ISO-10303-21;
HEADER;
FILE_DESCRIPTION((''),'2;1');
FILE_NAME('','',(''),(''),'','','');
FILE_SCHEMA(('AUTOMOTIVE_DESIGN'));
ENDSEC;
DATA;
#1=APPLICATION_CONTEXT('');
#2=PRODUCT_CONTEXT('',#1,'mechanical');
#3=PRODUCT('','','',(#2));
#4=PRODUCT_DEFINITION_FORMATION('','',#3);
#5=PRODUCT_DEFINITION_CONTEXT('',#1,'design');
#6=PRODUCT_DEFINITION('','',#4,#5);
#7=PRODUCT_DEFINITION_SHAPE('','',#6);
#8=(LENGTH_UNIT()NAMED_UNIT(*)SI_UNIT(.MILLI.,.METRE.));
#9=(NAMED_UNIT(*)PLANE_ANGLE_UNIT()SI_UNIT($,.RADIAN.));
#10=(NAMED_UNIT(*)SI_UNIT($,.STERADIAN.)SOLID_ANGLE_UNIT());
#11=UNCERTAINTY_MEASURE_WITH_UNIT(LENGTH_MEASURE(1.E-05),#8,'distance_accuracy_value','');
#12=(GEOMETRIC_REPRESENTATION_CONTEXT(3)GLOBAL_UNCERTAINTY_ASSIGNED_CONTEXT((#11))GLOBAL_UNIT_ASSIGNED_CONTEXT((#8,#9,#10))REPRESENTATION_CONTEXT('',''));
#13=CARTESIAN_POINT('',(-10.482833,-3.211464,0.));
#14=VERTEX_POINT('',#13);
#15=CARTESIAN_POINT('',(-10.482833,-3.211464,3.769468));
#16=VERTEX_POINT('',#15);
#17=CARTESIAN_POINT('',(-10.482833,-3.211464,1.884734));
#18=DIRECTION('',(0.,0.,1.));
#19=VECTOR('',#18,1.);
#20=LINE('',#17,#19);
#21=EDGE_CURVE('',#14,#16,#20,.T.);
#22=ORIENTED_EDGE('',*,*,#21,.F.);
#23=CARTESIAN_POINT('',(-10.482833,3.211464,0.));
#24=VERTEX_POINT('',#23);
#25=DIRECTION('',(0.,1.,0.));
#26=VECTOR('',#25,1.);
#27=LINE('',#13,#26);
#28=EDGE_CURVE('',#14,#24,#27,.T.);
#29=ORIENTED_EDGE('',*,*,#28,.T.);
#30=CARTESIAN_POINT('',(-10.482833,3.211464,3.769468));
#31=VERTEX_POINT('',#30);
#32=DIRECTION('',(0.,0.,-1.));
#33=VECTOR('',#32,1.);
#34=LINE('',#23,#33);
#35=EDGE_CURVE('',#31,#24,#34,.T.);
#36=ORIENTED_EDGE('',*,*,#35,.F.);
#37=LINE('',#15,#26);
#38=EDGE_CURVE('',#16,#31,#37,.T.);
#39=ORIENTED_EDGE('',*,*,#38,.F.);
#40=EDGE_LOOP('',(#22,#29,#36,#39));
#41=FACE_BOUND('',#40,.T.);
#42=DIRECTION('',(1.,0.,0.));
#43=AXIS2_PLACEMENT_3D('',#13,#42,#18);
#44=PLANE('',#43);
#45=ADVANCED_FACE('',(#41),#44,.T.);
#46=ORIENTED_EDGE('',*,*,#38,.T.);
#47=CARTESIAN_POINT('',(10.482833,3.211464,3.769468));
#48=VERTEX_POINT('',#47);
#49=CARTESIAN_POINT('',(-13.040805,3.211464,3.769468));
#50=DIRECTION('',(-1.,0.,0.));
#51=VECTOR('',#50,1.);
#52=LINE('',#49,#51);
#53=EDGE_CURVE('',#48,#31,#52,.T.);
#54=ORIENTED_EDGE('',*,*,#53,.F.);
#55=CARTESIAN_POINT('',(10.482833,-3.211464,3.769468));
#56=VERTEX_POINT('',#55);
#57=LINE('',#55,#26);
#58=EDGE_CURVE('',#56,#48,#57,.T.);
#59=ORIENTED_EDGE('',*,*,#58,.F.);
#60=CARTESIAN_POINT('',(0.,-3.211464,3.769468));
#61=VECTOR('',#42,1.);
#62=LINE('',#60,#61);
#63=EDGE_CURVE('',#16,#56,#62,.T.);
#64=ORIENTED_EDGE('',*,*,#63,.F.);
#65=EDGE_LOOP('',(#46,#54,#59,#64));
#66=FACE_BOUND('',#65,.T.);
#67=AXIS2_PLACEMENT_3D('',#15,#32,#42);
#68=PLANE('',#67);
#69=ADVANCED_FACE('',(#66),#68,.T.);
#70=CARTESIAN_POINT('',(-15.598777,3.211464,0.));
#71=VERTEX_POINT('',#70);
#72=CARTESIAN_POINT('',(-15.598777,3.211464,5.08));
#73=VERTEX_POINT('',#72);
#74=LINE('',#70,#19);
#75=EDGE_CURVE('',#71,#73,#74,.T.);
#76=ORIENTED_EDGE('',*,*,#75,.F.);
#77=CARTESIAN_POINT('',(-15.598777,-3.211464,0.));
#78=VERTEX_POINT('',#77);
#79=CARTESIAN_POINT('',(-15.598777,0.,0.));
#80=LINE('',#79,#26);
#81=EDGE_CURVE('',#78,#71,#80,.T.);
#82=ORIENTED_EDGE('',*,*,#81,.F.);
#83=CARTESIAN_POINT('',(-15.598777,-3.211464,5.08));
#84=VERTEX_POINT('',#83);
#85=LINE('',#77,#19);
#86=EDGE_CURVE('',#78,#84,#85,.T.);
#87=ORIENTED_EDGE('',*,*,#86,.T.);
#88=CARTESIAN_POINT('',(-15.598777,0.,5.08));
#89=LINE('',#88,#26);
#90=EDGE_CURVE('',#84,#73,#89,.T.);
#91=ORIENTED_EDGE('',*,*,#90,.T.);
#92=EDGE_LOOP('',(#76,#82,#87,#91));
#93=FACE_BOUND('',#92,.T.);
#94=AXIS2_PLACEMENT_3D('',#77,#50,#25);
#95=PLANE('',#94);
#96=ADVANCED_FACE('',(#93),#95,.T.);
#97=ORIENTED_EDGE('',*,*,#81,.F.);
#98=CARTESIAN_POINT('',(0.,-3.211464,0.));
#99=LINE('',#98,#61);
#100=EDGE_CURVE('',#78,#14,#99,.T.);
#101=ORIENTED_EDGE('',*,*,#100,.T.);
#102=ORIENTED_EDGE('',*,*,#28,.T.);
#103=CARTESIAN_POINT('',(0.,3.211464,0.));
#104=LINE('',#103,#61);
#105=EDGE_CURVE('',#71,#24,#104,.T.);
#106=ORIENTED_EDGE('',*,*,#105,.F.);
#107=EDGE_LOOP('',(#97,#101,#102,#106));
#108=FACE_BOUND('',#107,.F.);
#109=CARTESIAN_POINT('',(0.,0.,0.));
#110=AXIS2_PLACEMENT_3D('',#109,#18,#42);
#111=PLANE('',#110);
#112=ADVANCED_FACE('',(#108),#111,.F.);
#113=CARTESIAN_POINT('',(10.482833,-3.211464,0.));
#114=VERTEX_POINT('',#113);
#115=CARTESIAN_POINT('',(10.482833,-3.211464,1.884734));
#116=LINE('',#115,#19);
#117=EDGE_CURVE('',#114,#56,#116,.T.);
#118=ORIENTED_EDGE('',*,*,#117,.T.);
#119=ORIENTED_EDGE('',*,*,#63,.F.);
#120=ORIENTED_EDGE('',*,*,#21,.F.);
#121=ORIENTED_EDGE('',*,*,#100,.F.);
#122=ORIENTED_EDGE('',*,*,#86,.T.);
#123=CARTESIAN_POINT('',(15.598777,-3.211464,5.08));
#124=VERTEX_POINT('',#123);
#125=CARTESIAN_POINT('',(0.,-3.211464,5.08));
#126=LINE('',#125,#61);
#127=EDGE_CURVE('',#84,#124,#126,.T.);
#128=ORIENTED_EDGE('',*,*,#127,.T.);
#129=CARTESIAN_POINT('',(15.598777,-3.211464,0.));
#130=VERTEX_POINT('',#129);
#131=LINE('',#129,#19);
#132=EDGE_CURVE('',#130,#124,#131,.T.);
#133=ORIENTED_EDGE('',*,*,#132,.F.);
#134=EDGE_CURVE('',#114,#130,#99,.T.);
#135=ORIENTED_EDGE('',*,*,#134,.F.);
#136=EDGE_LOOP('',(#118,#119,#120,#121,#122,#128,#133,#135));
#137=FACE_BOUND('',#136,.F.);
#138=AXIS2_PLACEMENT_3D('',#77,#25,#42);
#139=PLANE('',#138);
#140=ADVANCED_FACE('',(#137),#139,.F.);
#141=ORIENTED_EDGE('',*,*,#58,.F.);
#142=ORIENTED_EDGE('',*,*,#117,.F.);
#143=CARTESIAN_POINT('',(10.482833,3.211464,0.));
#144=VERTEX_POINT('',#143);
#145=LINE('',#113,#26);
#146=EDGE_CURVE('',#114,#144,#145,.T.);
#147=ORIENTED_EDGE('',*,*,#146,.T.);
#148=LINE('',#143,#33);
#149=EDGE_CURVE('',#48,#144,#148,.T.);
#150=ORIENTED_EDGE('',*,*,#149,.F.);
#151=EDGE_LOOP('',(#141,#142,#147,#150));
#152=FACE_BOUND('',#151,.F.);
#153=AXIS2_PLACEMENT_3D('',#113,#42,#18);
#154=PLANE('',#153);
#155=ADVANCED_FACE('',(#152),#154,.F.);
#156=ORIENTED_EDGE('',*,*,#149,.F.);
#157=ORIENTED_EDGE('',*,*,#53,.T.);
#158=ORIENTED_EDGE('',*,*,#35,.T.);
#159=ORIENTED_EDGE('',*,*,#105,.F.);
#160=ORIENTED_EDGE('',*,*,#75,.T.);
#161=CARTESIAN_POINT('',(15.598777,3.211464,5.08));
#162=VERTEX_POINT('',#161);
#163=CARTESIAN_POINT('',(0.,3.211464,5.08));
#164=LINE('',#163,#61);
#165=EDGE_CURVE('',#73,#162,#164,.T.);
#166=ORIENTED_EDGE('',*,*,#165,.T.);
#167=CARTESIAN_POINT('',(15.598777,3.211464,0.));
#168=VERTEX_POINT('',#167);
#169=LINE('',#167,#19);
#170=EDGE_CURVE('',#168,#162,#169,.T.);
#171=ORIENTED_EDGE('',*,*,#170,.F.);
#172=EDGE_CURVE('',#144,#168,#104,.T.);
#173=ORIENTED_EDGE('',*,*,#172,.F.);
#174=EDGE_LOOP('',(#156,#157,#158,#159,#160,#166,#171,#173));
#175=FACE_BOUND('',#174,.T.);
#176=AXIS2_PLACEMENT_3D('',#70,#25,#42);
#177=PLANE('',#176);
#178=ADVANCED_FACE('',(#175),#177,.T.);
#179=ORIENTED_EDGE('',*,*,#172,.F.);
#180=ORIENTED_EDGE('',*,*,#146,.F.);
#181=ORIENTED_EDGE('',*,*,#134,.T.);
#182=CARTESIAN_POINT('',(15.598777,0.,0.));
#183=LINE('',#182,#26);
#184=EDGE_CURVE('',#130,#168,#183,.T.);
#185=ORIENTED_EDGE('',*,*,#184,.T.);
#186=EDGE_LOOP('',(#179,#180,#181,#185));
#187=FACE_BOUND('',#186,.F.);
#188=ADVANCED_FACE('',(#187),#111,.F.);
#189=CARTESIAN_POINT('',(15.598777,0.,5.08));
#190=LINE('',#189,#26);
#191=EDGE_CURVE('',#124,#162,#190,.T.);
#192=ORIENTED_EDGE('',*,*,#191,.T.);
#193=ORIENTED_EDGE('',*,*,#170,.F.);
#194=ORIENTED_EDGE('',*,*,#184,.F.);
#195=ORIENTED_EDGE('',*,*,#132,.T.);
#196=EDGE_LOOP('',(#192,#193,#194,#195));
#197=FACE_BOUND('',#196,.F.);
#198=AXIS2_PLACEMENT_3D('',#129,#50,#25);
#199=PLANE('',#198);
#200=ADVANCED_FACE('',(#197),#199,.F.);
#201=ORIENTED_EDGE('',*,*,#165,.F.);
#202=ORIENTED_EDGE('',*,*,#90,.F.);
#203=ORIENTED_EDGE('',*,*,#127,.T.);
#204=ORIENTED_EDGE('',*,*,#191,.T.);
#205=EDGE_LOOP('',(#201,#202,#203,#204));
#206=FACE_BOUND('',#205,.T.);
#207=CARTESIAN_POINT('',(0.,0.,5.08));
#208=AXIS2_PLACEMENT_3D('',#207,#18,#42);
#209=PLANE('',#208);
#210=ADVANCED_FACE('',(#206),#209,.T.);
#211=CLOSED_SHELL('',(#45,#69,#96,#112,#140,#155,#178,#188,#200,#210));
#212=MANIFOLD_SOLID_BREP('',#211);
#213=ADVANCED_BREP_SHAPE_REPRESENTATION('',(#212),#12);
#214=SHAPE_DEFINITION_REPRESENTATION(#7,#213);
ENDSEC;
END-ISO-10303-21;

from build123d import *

# Parameters (mm, degrees)
F0_W     = 31.197554
F0_H     = 6.422928
F1_DEPTH = 5.08
F2_W     = 20.965666
F2_H     = 3.769468
F3_DEPTH = 6.423929


with BuildPart() as f1:
    # F0 (on Top) → F1 (new body)
    with BuildSketch(Plane.XY):
        Rectangle(F0_W, F0_H)
    extrude(amount=F1_DEPTH)

    # F2 (on face) → F3 (cut, through all)
    with BuildSketch(Plane.XZ.offset(3.211464)):
        with Locations((0, 1.884734)):
            Rectangle(F2_W, F2_H)
    extrude(amount=-F3_DEPTH, mode=Mode.SUBTRACT)


solid = f1.part
